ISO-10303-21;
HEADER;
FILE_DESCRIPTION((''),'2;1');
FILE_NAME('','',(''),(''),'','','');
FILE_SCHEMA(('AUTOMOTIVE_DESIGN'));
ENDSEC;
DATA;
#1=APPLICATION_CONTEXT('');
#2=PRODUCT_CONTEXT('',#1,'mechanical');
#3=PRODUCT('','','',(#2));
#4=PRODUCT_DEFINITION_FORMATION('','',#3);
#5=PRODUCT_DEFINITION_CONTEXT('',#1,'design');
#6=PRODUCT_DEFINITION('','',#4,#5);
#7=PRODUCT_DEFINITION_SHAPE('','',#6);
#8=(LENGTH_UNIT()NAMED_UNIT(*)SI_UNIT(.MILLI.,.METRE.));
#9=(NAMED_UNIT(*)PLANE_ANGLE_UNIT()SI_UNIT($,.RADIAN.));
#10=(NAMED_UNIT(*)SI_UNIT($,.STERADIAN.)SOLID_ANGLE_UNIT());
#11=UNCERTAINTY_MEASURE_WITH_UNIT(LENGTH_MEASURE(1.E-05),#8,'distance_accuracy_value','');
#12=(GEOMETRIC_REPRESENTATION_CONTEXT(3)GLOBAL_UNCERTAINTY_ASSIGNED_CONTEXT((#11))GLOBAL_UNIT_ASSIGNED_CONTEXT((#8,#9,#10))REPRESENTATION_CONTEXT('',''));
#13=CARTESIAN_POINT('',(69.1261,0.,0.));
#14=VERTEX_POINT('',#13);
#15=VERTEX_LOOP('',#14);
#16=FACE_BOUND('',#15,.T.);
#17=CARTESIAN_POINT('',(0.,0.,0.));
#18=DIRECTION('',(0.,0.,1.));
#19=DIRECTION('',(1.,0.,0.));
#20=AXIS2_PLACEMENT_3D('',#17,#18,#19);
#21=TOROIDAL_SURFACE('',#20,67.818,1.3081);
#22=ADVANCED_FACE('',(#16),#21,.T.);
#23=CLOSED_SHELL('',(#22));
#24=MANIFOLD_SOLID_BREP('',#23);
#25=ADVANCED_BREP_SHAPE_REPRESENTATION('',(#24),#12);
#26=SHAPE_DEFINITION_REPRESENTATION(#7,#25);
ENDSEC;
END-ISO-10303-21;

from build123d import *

# Parameters (mm, degrees)
SKETCH1_R = 1.3081


with BuildPart() as part:
    # Sketch1 → Revolve1 (revolve)
    with BuildSketch(Plane(origin=(0, 0, 0), x_dir=(0, -1, 0), z_dir=(1, 0, 0))):
        with Locations((67.818, 0)):
            Circle(SKETCH1_R)
    revolve(axis=Axis((0, 0, 1.3081), (0, 0, -1)))


solid = part.part
